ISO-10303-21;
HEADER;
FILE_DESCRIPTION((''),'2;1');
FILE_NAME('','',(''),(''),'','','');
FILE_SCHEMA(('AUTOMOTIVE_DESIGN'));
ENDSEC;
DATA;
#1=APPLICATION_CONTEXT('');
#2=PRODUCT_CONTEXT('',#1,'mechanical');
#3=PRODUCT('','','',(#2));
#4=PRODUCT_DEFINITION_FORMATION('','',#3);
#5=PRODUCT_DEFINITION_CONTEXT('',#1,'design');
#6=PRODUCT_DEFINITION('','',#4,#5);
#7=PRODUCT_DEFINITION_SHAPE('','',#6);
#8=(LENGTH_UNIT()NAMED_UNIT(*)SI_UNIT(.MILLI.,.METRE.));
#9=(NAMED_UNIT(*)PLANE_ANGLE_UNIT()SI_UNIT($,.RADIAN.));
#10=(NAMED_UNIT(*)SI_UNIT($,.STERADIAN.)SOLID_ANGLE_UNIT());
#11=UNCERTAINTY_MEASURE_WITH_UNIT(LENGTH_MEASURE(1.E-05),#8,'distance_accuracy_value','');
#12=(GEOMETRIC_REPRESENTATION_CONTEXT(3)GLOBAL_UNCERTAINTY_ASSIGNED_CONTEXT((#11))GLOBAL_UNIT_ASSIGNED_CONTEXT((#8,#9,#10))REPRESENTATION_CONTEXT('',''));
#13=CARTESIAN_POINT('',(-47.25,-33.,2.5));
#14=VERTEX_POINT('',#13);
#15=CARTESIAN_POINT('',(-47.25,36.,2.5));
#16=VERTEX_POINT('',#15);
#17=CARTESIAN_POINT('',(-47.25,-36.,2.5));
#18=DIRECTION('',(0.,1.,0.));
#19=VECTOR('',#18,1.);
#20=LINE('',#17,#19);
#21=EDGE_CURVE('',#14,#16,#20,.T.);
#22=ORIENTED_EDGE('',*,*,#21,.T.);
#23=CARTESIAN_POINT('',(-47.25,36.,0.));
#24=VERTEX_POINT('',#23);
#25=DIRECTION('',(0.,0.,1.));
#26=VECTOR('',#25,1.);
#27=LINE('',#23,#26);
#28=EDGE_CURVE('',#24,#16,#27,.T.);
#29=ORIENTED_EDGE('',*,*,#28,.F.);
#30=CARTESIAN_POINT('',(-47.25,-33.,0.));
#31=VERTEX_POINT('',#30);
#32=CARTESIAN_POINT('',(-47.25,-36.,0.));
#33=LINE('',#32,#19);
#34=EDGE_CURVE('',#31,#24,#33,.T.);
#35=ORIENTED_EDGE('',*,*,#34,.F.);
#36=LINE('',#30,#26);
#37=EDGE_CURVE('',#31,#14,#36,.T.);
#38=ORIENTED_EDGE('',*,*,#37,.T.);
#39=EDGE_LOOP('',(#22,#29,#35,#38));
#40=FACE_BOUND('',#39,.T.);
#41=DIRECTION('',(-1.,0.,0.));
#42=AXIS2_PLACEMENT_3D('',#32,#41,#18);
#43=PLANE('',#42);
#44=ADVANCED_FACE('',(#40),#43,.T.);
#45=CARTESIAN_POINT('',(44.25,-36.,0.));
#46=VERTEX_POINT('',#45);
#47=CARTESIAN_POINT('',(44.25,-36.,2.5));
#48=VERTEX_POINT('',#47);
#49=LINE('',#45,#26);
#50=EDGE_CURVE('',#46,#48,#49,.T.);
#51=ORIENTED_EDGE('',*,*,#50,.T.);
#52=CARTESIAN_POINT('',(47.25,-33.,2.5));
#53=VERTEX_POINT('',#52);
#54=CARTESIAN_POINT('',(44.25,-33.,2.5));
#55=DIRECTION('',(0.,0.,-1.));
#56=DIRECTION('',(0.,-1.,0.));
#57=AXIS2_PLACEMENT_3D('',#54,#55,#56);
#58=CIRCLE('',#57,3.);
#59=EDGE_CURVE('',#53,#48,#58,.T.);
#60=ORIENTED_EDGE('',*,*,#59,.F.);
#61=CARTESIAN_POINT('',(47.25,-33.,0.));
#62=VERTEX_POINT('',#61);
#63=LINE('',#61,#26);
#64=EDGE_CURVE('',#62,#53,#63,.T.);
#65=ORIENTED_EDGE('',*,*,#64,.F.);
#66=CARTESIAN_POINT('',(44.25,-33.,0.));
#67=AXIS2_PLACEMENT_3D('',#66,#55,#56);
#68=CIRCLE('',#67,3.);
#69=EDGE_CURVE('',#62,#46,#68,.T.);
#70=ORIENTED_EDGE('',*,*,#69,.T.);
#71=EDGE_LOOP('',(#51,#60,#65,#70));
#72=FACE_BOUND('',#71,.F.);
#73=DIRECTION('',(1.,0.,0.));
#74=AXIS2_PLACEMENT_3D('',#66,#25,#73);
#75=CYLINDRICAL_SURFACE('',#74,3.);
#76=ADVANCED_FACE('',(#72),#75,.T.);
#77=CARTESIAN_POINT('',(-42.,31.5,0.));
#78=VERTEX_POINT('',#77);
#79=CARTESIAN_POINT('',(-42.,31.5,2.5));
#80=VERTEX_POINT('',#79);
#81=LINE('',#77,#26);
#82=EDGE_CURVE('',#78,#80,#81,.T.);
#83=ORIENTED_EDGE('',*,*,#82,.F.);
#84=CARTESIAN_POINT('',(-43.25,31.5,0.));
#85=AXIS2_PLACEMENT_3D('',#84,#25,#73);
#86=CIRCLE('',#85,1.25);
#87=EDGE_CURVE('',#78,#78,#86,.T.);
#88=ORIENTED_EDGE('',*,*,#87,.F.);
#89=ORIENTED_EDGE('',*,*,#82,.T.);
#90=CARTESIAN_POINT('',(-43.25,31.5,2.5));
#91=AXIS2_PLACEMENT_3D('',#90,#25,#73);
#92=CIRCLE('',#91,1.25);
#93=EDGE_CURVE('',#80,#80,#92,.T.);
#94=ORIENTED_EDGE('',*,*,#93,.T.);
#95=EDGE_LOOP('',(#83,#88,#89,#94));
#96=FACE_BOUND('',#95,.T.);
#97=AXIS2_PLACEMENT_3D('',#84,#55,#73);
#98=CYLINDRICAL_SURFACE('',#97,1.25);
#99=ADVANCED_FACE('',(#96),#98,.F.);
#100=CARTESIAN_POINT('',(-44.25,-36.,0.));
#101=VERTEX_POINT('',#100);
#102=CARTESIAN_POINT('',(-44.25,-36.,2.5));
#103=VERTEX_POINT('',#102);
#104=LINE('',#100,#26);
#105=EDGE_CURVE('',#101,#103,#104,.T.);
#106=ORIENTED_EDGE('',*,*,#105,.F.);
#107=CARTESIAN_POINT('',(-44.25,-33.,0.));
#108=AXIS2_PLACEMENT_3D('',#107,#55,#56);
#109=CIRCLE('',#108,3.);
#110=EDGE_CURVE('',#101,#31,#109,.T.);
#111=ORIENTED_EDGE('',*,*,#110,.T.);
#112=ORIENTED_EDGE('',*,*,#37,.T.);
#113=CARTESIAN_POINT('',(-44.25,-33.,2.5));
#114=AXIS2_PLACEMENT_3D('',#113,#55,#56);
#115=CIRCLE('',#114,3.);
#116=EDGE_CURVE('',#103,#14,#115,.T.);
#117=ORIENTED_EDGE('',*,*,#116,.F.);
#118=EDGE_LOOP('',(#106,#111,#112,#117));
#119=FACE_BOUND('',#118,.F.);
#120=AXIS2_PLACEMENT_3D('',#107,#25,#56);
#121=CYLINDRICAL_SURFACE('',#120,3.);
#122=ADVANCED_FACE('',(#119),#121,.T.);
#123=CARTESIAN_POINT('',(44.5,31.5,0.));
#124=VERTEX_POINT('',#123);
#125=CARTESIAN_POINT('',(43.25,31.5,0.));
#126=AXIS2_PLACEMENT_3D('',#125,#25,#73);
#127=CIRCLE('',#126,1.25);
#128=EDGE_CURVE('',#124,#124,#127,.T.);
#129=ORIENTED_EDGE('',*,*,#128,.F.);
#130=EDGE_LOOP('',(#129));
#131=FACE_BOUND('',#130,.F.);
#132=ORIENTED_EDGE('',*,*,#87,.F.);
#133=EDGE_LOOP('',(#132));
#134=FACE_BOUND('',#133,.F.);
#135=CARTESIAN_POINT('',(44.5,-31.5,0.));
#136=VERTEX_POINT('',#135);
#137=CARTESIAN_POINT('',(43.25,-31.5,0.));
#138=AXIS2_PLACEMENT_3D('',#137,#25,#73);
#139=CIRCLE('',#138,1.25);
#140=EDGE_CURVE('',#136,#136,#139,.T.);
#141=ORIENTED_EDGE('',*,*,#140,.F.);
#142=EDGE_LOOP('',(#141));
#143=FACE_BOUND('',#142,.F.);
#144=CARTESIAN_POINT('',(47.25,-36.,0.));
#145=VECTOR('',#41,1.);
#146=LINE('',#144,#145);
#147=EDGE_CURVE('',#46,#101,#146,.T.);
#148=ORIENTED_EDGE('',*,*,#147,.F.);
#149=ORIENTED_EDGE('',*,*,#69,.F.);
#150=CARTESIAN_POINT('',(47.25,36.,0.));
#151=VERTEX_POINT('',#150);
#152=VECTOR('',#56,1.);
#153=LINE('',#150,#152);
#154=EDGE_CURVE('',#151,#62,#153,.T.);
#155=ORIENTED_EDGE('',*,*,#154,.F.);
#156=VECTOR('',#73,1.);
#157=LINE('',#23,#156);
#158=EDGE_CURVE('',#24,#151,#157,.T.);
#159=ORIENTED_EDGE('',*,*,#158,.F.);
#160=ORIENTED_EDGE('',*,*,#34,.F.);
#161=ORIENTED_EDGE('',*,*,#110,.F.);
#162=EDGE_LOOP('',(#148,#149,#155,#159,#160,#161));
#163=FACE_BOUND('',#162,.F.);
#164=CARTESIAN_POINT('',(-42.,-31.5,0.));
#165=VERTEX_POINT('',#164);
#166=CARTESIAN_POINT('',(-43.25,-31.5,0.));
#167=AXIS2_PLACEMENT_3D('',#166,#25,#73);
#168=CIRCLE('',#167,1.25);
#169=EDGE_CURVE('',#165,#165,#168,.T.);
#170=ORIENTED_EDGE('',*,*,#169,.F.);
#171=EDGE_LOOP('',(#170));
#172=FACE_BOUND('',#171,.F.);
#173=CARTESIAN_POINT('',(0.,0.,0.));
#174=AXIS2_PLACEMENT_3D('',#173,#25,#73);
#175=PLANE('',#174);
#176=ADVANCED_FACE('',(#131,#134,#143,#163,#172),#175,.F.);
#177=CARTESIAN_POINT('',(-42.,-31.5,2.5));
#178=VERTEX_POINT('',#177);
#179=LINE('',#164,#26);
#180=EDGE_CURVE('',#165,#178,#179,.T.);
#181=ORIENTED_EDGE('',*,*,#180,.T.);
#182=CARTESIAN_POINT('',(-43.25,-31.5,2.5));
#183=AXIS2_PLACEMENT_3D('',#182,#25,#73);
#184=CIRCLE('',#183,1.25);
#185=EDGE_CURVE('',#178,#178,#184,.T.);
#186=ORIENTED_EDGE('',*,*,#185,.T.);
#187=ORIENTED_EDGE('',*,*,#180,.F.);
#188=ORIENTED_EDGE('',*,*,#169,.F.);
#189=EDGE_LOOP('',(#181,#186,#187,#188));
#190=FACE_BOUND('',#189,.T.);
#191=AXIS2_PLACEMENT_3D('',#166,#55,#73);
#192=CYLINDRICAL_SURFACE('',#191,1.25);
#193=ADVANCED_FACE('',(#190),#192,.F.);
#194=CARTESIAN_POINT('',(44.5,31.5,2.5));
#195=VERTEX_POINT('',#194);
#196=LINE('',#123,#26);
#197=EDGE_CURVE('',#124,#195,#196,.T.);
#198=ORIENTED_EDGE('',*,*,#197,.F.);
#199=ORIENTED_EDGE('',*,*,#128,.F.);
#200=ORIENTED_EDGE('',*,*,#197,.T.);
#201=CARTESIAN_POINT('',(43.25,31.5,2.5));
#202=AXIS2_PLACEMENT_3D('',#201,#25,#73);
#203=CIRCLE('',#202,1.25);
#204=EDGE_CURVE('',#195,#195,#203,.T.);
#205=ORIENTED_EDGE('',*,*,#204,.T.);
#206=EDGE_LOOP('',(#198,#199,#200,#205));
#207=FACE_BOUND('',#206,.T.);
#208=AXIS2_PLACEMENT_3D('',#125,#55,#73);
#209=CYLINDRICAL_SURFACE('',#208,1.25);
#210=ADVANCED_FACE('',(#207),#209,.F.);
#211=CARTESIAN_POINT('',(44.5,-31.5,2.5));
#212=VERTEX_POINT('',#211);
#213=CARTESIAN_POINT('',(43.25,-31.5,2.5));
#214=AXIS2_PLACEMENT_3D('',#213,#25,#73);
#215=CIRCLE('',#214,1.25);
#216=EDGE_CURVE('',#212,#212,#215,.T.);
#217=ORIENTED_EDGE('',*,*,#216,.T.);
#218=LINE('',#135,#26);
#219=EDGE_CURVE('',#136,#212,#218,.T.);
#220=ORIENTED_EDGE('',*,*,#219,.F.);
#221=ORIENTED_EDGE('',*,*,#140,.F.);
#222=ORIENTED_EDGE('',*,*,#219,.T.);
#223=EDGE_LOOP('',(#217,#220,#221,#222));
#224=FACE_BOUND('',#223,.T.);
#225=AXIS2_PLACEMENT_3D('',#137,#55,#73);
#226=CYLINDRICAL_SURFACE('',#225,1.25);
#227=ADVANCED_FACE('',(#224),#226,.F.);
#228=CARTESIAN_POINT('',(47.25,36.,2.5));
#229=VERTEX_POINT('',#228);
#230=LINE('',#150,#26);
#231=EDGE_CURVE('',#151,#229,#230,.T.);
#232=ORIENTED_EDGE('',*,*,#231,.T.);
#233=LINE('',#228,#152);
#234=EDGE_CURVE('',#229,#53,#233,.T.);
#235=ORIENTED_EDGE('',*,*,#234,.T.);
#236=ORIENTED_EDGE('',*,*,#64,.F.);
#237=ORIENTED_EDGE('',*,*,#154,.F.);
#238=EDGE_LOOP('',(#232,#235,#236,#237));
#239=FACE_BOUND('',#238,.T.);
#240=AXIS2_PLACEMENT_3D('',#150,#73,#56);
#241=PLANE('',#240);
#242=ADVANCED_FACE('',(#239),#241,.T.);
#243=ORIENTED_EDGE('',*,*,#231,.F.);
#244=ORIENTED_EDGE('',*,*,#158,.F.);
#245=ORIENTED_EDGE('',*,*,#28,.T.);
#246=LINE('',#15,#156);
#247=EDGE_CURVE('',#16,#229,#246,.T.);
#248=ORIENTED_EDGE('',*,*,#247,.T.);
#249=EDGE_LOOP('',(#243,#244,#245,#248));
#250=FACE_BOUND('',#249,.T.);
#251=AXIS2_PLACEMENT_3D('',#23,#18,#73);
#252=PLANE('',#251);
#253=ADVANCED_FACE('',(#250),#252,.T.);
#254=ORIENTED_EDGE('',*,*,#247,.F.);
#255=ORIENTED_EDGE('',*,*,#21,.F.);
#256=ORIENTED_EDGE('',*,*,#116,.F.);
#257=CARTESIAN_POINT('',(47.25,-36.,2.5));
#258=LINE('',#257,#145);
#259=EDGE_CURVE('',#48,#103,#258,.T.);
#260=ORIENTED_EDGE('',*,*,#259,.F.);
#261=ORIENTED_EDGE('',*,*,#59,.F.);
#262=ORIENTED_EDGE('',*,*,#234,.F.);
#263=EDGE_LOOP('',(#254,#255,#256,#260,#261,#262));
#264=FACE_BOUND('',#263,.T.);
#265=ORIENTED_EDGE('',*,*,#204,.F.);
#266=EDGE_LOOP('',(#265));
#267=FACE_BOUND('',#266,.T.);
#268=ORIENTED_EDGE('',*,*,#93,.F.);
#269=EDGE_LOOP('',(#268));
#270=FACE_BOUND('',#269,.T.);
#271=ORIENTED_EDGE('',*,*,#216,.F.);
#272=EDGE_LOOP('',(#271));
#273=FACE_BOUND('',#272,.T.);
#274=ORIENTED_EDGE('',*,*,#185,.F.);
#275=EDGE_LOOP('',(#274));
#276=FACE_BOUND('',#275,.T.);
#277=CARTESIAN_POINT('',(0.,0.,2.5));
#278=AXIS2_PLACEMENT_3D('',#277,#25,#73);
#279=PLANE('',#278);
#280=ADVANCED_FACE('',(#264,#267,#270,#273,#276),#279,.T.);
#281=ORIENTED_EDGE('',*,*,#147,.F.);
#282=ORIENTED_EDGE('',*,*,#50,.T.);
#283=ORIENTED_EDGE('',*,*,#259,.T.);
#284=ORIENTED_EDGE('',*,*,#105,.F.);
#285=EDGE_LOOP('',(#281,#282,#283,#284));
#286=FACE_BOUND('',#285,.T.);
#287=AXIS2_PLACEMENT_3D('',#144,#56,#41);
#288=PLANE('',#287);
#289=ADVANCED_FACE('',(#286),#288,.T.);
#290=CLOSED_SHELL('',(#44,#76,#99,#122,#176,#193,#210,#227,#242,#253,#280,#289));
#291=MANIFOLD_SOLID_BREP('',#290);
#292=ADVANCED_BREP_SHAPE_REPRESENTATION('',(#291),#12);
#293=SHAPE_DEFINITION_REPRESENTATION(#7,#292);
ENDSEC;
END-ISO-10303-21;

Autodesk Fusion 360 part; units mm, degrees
sketch "Sketch1" plane through (0, 0, 0) normal (0, 0, 1) x (1, 0, 0)
  line L0 (-47.25, 36) -> (47.25, 36)
  line L1 (47.25, 36) -> (47.25, -36)
  line L2 (47.25, -36) -> (-47.25, -36)
  line L3 (-47.25, -36) -> (-47.25, 36)
  line L4 (-47.25, 36) -> (47.25, -36) construction
  line L5 (47.25, 36) -> (-47.25, -36) construction
  circle A0 centre (-43.25, 31.5) radius 1.25
  circle A1 centre (-43.25, -31.5) radius 1.25
  circle A2 centre (43.25, 31.5) radius 1.25
  circle A3 centre (43.25, -31.5) radius 1.25
  dimension "d1" = 94.5
  dimension "d2" = 72
  dimension "d3" = 2.5
  dimension "d4" = 86.5
  dimension "d5" = 63
  dimension "d6" = 31.5
  dimension "d7" = 43.25
extrude "Extrude1" add sketch "Sketch1" along normal blind 2.5
fillet "Fillet1" radius 3 2 edges at (47.25, -36, 1.25) (-47.25, -36, 1.25)
sketch "Sketch2" plane through (0, 0, 2.5) normal (0, 0, 1) x (-1, 0, 0)
  arc A0 (47.25, 33) -> (44.25, 36) centre (44.25, 33) ccw
  line L0 (44.25, 36) -> (-44.25, 36)
  arc A1 (-44.25, 36) -> (-47.25, 33) centre (-44.25, 33) ccw
  line L1 (-47.25, 33) -> (-47.25, -36)
  line L2 (-47.25, -36) -> (47.25, -36)
  line L3 (47.25, -36) -> (47.25, 33)
  circle A2 centre (-43.25, -31.5) radius 1.25
  circle A3 centre (43.25, -31.5) radius 1.25
  circle A4 centre (43.25, 31.5) radius 1.25
  circle A5 centre (-43.25, 31.5) radius 1.25
  circle A6 centre (43.25, 31.5) radius 1.5
equation "d1 = 90.5 mm + 4 mm"
equation "d2 = 67 mm + 5 mm"
equation "d6 = ( d5 / 2 mm ) * 1 mm"
equation "d7 = d4 / 2"
